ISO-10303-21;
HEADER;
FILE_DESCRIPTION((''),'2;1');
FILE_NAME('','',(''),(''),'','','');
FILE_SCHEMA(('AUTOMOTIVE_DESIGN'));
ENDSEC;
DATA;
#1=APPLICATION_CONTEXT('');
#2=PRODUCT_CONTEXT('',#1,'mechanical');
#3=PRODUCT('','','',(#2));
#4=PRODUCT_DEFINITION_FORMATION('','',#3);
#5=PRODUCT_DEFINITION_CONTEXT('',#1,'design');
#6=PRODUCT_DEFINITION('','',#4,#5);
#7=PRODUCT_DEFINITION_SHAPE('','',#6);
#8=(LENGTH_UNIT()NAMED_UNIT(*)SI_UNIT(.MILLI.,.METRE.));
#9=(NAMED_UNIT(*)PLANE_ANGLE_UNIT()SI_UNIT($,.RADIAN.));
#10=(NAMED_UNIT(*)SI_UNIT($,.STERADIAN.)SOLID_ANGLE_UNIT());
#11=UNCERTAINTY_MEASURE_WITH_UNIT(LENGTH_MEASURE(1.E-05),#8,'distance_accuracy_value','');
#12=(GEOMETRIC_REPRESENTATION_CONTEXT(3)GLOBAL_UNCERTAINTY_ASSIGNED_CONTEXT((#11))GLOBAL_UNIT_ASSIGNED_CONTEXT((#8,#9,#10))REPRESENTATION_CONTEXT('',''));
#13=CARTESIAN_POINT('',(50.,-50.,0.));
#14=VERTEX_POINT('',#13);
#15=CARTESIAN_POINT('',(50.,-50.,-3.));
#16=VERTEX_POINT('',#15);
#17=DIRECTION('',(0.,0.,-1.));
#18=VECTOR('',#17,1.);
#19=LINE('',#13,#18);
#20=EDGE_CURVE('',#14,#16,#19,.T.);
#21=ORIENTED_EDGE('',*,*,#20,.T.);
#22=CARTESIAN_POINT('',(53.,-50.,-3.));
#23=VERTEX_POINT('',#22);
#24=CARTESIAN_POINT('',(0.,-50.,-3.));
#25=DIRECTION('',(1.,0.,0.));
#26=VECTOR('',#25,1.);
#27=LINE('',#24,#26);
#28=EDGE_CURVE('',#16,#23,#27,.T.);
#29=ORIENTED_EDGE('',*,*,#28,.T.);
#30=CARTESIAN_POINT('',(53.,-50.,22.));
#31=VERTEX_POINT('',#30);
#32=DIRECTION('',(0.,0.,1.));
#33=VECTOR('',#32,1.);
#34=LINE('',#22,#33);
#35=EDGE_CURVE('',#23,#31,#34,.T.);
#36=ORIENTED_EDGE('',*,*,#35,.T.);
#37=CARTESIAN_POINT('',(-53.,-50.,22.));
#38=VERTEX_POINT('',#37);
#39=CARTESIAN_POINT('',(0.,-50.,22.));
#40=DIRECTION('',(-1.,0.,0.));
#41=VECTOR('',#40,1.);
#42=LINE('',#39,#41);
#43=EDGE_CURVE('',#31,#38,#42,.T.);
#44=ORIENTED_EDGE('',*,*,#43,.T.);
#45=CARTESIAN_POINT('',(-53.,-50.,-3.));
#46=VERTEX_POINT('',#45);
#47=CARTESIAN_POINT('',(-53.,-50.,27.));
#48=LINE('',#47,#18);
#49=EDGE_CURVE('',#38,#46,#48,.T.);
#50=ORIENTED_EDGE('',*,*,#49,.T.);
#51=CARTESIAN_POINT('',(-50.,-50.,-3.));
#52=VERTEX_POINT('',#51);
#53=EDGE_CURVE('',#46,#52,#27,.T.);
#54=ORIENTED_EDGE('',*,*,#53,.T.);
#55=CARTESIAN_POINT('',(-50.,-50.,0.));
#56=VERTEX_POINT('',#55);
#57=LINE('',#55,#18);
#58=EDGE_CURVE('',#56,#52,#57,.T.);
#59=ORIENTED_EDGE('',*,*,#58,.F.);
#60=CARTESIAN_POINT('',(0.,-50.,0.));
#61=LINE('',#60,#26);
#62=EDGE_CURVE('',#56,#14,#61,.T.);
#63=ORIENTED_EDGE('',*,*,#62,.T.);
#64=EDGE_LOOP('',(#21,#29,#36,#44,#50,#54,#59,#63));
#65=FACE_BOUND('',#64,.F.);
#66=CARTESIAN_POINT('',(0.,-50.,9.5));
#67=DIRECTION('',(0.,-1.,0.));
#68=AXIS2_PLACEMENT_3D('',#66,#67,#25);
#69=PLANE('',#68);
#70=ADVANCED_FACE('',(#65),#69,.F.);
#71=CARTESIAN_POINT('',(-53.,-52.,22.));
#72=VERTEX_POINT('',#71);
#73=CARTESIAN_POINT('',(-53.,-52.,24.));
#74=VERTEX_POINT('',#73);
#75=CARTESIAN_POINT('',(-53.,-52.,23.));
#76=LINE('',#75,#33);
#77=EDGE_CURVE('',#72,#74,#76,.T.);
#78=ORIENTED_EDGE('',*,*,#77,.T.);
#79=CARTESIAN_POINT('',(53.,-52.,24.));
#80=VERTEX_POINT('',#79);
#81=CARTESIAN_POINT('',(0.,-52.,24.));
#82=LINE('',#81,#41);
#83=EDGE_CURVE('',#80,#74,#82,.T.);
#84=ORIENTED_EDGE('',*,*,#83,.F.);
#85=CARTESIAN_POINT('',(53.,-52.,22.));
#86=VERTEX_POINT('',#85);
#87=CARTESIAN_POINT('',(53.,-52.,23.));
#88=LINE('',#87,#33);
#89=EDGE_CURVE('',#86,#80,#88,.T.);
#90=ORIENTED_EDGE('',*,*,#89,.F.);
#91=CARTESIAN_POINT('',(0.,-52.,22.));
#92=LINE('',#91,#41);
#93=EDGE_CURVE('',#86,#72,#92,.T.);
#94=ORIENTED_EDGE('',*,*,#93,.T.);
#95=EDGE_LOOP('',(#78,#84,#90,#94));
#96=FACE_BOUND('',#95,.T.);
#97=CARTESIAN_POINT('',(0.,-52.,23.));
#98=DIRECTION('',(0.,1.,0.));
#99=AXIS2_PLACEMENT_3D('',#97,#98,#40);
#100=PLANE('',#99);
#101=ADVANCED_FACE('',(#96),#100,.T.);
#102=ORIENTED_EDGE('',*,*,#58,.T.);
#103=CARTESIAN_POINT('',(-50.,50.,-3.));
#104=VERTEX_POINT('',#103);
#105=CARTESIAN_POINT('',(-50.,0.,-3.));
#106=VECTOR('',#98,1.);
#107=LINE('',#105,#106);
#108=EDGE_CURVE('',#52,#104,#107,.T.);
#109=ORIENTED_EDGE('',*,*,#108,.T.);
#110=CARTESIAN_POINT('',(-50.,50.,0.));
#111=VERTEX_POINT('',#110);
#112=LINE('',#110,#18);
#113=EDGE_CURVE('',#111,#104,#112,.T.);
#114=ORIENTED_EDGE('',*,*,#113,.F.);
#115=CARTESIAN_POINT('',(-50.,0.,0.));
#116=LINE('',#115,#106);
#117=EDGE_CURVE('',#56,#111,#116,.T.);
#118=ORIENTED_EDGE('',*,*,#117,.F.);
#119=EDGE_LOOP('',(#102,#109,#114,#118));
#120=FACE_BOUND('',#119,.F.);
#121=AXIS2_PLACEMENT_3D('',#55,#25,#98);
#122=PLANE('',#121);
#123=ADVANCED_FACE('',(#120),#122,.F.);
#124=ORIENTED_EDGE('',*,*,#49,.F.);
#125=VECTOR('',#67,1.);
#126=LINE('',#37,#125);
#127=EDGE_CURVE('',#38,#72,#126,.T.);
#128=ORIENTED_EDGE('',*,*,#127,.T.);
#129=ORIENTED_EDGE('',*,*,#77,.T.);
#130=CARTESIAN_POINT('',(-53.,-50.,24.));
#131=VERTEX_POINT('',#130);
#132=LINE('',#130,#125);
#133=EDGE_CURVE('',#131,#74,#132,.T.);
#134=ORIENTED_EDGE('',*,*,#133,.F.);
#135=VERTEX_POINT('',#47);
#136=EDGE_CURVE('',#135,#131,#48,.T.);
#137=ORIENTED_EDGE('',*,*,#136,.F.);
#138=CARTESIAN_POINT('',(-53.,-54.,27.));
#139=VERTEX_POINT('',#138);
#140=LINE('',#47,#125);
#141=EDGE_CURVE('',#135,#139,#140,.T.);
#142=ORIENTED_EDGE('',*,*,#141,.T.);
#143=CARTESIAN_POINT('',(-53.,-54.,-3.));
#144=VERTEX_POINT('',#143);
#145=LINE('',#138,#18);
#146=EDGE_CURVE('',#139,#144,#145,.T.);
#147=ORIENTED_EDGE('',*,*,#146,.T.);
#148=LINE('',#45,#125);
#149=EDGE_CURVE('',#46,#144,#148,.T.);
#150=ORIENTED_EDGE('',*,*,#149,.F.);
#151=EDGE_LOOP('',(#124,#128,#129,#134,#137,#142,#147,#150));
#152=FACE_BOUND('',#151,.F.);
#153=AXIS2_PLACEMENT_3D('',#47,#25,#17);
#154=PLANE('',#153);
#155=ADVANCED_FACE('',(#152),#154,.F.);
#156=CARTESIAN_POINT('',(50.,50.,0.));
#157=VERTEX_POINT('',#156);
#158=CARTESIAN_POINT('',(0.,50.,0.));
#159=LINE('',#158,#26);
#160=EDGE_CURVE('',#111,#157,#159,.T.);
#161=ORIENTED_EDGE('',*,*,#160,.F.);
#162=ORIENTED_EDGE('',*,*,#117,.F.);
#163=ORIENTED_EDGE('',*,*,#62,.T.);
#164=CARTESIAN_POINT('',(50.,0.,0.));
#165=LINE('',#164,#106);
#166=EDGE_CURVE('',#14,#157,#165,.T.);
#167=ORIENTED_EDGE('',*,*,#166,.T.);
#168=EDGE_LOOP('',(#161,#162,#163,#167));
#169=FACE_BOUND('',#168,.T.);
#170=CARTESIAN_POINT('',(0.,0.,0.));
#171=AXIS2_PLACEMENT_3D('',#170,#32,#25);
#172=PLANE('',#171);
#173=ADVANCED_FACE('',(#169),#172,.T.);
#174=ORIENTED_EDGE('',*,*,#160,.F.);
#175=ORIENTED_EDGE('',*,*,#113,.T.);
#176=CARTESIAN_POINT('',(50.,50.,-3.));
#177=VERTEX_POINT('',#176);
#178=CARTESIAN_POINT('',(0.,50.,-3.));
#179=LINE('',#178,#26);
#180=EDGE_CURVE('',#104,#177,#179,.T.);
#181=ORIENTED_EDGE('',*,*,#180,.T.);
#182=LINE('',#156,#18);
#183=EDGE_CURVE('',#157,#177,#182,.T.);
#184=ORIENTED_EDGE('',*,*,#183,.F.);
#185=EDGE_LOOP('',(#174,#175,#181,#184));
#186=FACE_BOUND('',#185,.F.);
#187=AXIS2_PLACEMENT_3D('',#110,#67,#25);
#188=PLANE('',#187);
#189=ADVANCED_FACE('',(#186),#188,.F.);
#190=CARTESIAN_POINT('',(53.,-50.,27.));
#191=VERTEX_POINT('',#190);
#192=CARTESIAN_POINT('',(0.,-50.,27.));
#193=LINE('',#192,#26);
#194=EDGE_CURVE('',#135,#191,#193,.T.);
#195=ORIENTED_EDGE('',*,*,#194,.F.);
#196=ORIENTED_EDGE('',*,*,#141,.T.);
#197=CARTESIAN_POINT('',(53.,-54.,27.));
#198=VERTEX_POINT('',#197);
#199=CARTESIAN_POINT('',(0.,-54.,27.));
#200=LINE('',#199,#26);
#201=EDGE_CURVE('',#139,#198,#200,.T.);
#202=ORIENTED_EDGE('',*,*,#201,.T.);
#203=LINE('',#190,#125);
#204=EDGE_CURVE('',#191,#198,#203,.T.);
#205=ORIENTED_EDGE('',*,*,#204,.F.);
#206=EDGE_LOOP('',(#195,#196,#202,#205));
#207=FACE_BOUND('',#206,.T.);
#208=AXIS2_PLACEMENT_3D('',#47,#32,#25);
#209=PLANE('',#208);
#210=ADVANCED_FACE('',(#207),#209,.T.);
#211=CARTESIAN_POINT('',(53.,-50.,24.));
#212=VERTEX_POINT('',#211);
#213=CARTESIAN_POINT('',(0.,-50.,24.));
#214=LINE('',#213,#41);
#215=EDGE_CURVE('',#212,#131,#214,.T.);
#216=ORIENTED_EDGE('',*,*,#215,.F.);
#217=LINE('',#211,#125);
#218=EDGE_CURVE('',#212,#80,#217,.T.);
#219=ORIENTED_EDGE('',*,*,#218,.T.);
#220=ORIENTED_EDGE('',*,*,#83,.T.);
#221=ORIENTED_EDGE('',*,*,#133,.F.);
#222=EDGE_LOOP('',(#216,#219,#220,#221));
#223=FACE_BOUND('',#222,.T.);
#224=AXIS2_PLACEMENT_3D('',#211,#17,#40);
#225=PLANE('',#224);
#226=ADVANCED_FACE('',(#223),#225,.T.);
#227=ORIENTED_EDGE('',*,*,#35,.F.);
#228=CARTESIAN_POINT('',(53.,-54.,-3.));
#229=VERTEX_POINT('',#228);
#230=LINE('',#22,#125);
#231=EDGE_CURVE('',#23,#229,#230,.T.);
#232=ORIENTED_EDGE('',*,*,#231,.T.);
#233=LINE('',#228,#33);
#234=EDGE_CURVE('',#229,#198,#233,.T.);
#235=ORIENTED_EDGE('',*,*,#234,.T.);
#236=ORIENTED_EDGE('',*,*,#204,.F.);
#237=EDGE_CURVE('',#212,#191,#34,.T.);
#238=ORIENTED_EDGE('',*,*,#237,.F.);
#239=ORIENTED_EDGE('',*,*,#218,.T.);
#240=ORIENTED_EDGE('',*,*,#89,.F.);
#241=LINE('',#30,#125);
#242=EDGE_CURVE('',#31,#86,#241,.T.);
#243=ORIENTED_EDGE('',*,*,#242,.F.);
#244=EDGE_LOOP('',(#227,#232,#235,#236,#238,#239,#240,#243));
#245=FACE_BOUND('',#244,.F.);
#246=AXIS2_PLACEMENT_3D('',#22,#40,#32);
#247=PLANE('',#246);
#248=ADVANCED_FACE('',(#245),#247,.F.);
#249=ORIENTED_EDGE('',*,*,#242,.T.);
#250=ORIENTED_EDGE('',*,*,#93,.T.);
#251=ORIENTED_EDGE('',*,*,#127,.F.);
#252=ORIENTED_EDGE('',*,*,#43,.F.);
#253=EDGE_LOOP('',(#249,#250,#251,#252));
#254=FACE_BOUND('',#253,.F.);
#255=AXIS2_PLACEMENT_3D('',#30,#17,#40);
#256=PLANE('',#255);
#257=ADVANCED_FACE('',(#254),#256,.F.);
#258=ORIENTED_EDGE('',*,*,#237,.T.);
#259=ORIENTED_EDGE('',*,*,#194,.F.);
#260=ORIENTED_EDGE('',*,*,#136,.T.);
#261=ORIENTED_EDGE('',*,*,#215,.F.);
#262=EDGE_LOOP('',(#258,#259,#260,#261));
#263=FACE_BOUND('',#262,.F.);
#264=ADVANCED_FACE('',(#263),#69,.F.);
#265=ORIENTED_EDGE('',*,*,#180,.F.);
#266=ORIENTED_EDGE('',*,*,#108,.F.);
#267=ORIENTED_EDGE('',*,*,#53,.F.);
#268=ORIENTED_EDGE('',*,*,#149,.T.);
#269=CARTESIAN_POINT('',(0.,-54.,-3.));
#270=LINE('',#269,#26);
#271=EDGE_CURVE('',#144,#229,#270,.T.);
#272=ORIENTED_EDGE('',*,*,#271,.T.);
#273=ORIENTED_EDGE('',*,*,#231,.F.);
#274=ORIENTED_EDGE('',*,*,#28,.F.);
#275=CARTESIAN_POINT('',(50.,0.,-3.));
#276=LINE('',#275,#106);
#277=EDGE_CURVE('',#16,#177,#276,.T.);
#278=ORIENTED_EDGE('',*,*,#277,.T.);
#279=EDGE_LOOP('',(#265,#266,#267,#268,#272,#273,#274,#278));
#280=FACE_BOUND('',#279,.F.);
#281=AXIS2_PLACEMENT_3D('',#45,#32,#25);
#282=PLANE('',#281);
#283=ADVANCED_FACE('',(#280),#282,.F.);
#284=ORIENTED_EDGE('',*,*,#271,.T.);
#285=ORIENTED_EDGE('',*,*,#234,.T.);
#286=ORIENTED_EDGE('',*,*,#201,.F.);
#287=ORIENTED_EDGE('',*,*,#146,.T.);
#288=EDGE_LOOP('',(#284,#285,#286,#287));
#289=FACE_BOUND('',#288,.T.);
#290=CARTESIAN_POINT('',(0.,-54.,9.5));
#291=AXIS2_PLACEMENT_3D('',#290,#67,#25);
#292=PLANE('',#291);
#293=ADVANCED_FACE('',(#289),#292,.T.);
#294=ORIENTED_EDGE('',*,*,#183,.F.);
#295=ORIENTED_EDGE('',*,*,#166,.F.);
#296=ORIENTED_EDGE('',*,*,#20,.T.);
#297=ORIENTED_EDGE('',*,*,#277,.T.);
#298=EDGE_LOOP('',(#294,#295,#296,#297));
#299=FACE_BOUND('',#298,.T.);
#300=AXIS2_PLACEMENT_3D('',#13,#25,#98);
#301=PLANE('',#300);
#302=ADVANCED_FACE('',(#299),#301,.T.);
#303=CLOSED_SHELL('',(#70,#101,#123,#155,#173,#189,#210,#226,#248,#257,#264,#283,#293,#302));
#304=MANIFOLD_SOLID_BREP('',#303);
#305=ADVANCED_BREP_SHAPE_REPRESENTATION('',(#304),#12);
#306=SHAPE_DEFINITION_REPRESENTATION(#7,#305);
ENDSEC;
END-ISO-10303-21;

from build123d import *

# Parameters (mm, degrees)
F0_W     = 100
F0_H     = 100
F1_DEPTH = 3
F2_W     = 106
F2_H     = 25
F2_H_2   = 2
F2_H_3   = 3
F3_DEPTH = 4
F4_W     = 106
F4_H     = 2
F5_DEPTH = 2


with BuildPart() as f1:
    # F0 (on Top) → F1 (new body)
    with BuildSketch(Plane.XY):
        Rectangle(F0_W, F0_H)
    extrude(amount=-F1_DEPTH)

    # F2 (on face) → F3 (join)
    with BuildSketch(Plane.XZ.offset(50)):
        with Locations((0, 9.5)):
            Rectangle(F2_W, F2_H)
        with Locations((0, 23)):
            Rectangle(F2_W, F2_H_2)
        with Locations((0, 25.5)):
            Rectangle(F2_W, F2_H_3)
    extrude(amount=F3_DEPTH)

    # F4 (on face) → F5 (cut)
    with BuildSketch(Plane(origin=(0, -50, 0), x_dir=(-1, 0, 0), z_dir=(0, 1, 0))):
        with Locations((0, 23)):
            Rectangle(F4_W, F4_H)
    extrude(amount=-F5_DEPTH, mode=Mode.SUBTRACT)


solid = f1.part
